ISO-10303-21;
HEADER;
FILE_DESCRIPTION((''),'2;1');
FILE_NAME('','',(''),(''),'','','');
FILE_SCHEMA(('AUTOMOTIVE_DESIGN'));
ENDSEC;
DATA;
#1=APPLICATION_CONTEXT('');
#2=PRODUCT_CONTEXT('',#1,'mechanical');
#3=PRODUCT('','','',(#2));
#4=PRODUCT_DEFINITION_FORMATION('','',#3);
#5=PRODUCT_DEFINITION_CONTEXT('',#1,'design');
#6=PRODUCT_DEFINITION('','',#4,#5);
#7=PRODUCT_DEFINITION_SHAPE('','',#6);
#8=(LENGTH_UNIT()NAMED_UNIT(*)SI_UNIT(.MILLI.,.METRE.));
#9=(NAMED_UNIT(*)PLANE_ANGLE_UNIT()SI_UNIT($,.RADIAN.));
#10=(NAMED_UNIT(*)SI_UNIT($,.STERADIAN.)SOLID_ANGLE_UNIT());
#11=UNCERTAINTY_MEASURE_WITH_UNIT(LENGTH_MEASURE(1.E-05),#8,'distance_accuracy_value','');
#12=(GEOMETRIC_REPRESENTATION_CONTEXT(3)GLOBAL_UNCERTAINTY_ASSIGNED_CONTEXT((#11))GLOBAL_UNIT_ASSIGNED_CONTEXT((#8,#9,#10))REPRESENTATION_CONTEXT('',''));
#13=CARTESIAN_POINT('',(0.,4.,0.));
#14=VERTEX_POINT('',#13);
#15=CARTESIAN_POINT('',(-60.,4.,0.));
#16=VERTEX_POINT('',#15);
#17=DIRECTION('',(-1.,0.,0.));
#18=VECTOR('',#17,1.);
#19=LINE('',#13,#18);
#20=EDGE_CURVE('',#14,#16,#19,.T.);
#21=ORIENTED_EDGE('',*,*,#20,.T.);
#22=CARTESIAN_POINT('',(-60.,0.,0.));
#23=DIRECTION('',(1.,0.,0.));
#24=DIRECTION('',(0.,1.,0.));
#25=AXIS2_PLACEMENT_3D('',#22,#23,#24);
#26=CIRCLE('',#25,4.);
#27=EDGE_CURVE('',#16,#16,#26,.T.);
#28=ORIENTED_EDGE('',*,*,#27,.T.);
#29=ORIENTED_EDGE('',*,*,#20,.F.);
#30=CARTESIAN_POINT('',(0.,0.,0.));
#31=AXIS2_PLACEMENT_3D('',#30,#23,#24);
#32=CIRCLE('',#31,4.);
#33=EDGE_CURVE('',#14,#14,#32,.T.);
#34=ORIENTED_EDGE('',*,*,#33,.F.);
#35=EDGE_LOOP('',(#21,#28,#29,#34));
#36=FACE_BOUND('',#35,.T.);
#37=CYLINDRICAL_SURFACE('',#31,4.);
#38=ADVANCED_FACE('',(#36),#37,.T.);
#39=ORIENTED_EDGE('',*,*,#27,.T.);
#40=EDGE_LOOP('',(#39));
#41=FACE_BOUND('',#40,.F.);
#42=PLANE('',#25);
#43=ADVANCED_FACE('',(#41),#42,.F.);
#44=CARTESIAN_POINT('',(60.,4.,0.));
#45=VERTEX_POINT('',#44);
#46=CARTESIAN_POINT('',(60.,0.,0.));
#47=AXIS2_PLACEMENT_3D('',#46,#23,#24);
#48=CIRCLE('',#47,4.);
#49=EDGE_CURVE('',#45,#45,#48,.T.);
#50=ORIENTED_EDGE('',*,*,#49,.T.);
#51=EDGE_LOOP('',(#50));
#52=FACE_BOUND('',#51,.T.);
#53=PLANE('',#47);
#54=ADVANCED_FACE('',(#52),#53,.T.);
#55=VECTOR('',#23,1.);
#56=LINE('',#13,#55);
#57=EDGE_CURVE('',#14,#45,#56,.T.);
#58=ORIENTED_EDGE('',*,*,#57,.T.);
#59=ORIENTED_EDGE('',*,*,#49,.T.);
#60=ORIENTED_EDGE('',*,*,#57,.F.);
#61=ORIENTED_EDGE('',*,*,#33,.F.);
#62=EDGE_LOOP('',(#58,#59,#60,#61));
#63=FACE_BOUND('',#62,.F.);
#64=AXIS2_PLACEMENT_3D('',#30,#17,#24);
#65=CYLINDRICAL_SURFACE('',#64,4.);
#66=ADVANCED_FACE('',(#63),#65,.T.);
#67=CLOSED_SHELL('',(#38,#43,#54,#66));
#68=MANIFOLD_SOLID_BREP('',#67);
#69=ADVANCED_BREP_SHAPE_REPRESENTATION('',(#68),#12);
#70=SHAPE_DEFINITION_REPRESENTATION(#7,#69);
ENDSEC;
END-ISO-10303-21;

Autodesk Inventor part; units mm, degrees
ref_plane "YZ Plane" through (0, 0, 0) normal (1, 0, 0) x (0, 1, 0)
ref_plane "XZ Plane" through (0, 0, 0) normal (0, 1, 0) x (-1, 0, 0)
ref_plane "XY Plane" through (0, 0, 0) normal (0, 0, 1) x (1, 0, 0)
sketch "Sketch1" plane through (0, 0, 0) normal (1, 0, 0) x (0, 1, 0)
  circle A0 centre (0, 0) radius 4
  dimension "d0" = 8
extrude "Extrusion1" add sketch "Sketch1" along normal mid plane 120
equation "\"d0\" = centeralShaftDiameter"
equation "\"d1\" = width"
equation "\"width\" = 120"
equation "\"materialThickness\" = 3.175"
equation "\"laserKerf\" = 0.12"
equation "\"cardPinDiameter\" = 3"
equation "\"centeralShaftDiameter\" = 8"
equation "\"cardWidth\" = 85.6"
equation "\"cardHeight\" = 53.98"
equation "\"cardThickness\" = 0.76"
equation "\"cardFillet\" = 2.88"
equation "\"cardClearence\" = 0.5"
equation "\"bearingOd\" = 22"
equation "\"bearingWidth\" = 8"
equation "\"axleHeight\" = 95"
equation "\"nutTrapDepth\" = 2.5"
equation "\"nutTrapClearence\" = 2"
equation "\"nutTrapwidth\" = 5.5"
equation "\"magnetDiameter\" = 6"
equation "\"magnetLength\" = 3"
equation "\"magnetProtusion\" = 0.25"
equation "\"spoolThickness\" = 5.588"
properties part number "centeralShaft" material "Stainless Steel"
